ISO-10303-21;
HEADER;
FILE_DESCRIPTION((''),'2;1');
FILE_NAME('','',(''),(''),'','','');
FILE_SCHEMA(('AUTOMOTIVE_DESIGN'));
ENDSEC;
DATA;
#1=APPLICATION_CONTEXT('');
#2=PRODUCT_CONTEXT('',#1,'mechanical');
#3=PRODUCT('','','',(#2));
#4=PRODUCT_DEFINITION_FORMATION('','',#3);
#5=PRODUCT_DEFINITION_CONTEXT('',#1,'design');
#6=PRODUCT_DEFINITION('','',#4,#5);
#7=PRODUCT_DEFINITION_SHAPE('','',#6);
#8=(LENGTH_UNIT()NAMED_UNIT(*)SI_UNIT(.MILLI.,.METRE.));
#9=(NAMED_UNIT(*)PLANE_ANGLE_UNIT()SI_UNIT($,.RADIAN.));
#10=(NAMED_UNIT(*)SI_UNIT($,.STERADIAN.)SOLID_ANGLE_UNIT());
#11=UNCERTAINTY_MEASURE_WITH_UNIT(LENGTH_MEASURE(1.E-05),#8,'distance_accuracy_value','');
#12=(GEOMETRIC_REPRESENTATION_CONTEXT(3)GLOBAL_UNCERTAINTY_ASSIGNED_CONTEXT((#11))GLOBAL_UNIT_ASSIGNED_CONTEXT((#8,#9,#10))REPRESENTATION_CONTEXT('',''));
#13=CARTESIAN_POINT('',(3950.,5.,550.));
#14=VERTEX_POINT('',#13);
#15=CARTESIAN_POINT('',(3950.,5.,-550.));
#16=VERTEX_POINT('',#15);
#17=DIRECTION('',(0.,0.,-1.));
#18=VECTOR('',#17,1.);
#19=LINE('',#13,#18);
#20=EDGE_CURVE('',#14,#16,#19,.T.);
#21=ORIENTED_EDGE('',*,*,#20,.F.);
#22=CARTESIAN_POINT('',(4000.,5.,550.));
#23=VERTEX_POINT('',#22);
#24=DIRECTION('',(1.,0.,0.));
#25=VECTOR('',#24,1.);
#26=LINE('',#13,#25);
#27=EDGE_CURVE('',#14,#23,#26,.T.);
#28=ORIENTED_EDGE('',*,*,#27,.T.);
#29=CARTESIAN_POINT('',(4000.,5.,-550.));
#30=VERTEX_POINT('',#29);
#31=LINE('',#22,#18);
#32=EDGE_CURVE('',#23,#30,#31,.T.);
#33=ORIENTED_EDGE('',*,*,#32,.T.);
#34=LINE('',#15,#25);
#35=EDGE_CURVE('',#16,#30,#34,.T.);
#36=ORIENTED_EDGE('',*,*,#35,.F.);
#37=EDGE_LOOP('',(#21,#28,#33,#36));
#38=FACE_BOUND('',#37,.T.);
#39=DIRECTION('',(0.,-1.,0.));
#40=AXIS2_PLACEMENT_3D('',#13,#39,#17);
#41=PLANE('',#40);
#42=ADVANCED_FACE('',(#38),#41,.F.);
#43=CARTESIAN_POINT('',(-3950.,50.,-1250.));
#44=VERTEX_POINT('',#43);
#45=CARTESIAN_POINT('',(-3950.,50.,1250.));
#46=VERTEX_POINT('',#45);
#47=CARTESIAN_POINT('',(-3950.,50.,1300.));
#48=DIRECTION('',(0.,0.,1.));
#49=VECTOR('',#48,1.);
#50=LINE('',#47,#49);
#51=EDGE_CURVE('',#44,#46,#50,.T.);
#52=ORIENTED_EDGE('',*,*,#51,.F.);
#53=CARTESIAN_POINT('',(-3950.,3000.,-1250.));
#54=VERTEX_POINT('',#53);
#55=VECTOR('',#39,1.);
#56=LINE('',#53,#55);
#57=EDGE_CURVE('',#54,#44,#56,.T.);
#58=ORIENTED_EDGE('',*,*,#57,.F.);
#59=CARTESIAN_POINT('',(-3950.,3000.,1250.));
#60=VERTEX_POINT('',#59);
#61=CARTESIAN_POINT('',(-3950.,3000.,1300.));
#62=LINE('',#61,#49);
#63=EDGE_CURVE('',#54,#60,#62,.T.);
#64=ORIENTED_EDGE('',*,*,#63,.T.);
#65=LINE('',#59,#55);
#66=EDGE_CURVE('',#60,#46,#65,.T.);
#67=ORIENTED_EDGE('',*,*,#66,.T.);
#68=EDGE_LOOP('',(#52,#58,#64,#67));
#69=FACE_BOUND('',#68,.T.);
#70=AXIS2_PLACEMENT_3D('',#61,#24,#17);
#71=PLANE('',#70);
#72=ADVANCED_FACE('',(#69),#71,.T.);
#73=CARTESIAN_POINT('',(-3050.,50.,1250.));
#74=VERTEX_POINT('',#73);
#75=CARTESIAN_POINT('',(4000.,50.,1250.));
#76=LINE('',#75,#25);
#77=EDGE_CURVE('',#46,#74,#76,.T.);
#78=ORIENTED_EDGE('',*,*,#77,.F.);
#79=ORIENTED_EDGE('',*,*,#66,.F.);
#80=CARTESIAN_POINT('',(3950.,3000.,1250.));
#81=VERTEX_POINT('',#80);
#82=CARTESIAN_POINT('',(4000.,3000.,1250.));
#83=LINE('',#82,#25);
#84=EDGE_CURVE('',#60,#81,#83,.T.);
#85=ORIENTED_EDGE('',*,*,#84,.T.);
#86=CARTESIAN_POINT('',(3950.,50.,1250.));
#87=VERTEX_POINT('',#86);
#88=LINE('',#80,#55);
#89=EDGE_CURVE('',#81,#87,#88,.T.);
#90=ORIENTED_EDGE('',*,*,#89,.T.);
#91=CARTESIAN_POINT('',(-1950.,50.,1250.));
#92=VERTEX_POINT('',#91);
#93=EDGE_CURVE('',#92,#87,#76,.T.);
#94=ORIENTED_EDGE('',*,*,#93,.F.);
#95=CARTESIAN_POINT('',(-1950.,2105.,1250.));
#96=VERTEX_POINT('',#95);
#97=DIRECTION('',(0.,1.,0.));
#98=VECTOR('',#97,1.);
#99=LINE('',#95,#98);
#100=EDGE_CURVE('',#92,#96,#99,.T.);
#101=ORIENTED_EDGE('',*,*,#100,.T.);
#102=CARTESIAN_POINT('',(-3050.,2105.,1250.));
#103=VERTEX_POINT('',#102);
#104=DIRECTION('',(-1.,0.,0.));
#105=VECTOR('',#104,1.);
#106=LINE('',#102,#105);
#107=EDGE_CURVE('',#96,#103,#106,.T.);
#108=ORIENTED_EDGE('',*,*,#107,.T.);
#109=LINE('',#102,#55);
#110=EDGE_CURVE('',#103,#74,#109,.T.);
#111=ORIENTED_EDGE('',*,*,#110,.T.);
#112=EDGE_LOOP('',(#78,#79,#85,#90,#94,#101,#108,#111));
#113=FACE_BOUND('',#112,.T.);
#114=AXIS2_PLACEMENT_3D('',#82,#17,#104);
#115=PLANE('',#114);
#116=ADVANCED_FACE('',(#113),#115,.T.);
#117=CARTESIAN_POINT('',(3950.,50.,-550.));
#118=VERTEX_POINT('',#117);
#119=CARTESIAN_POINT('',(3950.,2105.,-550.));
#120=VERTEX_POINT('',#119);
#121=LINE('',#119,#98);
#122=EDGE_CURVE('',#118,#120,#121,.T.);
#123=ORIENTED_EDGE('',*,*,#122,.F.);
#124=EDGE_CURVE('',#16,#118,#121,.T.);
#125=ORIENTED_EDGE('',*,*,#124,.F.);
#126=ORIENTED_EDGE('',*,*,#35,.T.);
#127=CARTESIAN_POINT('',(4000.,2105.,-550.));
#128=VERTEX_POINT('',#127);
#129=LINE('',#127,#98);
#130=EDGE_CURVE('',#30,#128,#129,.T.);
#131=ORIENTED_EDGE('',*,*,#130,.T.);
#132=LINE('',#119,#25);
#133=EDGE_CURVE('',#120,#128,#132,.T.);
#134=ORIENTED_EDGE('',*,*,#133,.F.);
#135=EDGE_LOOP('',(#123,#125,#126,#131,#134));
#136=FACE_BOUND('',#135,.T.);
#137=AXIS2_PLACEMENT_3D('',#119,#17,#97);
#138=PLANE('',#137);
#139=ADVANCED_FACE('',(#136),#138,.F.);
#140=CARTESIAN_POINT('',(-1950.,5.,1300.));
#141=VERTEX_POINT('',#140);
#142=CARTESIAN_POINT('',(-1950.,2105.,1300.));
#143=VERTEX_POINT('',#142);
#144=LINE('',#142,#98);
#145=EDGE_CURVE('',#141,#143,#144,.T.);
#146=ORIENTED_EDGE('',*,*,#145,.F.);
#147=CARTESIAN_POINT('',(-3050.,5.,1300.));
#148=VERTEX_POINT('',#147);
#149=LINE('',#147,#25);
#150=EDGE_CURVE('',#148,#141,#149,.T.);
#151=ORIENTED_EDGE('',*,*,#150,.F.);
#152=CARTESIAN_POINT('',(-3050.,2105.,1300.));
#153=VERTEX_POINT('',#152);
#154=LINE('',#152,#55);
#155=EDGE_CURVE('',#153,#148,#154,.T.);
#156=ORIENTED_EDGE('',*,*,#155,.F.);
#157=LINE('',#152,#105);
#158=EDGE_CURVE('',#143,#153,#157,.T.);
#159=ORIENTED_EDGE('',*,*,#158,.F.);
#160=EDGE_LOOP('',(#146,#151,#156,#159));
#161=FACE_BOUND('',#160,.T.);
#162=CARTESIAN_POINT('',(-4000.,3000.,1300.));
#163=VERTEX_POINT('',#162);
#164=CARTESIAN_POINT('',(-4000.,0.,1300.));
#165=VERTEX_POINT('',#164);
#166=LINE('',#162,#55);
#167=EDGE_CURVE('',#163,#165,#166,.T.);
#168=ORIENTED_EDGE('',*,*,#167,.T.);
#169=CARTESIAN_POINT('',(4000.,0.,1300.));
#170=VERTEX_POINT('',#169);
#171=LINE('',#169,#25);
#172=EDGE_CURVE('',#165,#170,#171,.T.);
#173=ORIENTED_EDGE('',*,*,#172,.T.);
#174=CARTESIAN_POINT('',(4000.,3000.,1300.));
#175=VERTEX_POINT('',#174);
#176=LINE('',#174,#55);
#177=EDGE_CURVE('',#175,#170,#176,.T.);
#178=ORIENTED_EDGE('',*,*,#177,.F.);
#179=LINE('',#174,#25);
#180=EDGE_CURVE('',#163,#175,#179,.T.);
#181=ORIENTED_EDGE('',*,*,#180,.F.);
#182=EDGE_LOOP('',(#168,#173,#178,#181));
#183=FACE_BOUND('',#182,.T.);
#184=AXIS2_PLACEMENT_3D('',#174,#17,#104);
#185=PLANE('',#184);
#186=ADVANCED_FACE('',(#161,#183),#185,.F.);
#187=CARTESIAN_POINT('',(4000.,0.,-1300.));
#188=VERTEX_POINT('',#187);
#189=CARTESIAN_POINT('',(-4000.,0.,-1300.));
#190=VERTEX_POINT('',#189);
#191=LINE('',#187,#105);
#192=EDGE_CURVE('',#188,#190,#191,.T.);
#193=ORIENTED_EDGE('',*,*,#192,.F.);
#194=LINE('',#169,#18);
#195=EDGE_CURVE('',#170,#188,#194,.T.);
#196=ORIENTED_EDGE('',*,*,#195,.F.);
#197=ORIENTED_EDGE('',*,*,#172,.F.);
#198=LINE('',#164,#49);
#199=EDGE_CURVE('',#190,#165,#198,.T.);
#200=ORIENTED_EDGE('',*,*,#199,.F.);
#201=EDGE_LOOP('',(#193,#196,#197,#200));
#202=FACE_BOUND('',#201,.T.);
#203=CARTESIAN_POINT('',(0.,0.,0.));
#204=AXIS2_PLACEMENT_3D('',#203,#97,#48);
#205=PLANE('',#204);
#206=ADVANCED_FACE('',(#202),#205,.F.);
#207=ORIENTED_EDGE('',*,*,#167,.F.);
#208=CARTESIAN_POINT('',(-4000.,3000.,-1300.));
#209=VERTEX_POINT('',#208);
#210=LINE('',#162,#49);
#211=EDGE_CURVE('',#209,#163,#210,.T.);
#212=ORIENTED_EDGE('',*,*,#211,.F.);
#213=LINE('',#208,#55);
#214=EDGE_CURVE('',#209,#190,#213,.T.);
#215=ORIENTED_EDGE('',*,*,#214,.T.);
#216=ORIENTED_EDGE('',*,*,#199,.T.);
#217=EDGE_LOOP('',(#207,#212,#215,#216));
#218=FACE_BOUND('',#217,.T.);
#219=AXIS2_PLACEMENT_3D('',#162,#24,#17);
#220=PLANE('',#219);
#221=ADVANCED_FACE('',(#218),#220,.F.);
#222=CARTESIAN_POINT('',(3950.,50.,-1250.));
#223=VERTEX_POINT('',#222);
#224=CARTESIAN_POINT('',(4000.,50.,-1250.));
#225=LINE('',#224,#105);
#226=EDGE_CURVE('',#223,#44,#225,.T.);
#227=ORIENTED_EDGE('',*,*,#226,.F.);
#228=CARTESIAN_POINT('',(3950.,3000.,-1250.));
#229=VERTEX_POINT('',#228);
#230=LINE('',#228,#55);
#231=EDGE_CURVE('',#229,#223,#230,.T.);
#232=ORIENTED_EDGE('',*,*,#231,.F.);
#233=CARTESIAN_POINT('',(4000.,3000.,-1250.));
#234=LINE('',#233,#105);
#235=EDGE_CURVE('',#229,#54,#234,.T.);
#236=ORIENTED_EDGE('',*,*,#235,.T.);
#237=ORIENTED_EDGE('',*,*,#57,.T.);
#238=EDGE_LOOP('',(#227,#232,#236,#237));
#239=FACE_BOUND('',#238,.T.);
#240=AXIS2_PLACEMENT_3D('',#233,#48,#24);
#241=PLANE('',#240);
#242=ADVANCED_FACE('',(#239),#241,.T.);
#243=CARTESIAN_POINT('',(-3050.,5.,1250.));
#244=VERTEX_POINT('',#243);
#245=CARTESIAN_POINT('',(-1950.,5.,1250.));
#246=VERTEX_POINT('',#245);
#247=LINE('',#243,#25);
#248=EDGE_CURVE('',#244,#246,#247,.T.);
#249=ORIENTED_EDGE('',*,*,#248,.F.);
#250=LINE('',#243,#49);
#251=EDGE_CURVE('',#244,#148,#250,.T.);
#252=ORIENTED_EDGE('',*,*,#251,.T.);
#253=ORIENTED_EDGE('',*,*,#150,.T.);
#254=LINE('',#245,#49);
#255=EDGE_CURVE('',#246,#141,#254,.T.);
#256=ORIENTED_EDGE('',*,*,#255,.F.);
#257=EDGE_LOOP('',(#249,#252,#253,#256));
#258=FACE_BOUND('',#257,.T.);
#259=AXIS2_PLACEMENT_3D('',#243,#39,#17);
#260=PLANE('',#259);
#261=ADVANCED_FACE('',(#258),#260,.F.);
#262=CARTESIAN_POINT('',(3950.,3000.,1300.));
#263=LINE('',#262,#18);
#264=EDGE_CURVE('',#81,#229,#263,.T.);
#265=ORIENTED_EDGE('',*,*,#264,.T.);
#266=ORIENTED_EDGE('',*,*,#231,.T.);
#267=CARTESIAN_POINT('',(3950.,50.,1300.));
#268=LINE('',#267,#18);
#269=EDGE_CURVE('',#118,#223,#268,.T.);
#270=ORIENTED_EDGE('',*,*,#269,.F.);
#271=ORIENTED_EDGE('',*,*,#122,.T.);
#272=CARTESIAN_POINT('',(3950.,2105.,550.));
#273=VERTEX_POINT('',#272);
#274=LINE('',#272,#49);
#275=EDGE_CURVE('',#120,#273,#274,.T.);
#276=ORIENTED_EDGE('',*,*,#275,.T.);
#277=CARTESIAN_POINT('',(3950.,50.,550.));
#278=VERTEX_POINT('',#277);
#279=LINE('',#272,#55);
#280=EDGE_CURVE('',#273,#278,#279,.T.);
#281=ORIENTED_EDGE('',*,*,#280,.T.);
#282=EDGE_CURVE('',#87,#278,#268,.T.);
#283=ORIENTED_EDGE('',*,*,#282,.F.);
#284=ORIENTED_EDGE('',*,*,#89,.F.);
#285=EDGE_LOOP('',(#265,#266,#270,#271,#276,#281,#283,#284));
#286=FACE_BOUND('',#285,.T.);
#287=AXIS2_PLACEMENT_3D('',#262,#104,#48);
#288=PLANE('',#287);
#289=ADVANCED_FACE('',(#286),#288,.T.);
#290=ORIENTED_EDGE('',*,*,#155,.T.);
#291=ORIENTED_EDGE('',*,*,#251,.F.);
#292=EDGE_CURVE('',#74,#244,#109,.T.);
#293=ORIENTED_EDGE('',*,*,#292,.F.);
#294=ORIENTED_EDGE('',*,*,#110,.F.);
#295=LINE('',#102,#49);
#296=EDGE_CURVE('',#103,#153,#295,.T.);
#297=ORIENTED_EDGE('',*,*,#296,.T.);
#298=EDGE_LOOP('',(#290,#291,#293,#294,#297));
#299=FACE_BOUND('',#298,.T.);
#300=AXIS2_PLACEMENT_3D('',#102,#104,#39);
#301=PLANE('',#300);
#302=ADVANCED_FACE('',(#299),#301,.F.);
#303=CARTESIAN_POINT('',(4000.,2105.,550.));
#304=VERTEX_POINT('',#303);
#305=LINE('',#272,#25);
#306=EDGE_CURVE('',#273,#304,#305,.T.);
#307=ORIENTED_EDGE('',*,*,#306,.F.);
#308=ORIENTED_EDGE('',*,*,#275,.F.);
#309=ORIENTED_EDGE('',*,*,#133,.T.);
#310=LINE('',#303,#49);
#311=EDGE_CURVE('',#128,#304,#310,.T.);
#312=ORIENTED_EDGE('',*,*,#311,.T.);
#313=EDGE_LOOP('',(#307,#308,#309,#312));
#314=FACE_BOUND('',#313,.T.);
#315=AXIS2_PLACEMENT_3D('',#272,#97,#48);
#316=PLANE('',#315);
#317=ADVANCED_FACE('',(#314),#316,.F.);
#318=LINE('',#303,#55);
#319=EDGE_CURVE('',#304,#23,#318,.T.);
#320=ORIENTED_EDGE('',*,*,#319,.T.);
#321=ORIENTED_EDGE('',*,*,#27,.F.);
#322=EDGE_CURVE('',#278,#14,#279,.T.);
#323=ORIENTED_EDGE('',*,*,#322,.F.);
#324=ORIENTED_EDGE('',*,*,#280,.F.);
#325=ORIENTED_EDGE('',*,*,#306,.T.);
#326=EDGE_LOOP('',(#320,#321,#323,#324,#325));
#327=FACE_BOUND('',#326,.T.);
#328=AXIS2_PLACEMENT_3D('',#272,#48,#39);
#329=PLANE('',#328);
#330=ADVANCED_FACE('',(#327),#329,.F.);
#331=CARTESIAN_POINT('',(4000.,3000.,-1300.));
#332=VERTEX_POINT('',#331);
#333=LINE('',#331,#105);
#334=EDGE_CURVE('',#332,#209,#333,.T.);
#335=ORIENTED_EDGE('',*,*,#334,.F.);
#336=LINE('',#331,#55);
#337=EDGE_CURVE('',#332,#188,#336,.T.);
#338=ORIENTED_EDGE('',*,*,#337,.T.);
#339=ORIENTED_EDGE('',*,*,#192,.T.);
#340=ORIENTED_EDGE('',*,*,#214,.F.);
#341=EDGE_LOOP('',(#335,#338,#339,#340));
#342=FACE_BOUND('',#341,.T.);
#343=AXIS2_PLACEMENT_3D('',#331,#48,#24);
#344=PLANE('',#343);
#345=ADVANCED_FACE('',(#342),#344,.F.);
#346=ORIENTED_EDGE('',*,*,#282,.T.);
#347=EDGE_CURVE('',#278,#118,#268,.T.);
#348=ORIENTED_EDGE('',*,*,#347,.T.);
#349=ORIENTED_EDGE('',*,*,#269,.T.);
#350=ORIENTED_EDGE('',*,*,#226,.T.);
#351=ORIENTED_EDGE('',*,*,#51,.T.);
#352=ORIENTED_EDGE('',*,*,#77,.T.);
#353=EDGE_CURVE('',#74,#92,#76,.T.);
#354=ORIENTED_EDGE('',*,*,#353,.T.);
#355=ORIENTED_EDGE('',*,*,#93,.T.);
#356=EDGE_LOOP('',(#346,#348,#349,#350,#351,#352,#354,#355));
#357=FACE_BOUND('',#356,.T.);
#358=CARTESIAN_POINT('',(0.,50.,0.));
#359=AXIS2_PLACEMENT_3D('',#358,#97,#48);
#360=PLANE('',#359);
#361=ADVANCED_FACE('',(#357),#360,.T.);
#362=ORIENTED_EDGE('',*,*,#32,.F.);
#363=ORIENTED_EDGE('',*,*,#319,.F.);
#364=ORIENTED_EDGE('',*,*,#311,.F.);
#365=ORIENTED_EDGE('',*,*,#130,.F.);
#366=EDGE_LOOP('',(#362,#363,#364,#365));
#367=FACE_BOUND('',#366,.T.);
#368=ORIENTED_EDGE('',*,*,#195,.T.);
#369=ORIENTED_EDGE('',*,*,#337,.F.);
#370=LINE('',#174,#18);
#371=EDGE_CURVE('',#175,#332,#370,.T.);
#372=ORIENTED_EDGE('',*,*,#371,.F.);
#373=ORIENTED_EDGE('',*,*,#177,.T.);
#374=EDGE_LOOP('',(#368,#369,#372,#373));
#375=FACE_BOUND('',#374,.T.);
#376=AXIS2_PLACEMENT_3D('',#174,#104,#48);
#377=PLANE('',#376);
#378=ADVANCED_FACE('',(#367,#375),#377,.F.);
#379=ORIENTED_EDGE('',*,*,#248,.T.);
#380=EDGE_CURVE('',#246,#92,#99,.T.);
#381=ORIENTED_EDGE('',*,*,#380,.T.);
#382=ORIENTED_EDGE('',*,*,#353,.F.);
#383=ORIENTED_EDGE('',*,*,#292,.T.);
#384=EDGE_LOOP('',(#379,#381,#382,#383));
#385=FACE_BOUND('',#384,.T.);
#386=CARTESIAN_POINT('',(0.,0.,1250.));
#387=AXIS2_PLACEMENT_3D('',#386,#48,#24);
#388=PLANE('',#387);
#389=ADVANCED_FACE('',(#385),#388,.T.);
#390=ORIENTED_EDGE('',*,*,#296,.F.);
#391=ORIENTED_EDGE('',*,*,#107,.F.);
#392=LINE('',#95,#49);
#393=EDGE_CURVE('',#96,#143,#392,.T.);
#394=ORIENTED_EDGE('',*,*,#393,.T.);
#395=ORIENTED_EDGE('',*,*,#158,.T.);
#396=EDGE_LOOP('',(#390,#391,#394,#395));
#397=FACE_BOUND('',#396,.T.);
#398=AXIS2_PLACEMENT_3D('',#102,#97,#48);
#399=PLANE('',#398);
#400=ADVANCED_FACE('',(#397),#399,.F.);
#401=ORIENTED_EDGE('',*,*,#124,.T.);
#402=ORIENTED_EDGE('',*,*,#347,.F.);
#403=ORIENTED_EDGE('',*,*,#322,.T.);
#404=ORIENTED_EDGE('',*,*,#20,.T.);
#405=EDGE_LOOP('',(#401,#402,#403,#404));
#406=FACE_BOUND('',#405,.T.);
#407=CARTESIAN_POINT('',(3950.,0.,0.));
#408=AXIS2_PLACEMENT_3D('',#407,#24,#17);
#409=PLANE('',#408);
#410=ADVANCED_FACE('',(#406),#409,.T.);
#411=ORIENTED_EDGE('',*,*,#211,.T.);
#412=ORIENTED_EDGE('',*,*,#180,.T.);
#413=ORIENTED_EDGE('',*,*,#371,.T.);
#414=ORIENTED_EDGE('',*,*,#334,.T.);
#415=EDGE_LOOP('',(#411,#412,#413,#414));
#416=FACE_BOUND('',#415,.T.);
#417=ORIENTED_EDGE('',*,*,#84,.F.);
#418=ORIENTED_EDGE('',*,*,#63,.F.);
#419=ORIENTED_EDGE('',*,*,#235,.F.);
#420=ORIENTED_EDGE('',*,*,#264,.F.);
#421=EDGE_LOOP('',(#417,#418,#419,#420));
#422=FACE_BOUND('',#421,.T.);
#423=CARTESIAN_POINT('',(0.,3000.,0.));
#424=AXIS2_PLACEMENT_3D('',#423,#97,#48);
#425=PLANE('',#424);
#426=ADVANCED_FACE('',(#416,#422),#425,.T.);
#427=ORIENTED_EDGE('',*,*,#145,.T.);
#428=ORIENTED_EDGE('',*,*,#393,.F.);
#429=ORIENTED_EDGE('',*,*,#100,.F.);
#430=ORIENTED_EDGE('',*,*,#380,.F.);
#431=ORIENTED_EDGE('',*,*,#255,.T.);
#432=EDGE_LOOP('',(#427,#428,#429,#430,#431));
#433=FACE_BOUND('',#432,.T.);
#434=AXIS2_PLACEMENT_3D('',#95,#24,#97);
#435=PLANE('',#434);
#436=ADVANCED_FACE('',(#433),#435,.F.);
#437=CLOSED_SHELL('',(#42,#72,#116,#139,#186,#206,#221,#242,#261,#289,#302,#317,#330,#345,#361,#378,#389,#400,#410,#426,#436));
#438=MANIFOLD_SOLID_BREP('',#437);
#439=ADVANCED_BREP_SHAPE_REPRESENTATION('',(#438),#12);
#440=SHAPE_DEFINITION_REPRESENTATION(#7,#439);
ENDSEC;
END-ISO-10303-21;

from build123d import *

# Parameters (mm, degrees)
SKETCH2_W           = 8000
SKETCH2_H           = 2600
BOSS_EXTRUDE1_DEPTH = 3000
SHELL1_T            = -50
SKETCH3_W           = 1100
SKETCH3_H           = 2100
CUT_EXTRUDE1_DEPTH  = 50
SKETCH4_W           = 1100
SKETCH4_H           = 2100
CUT_EXTRUDE2_DEPTH  = 50


with BuildPart() as part:
    # Sketch2 → Boss-Extrude1 (new body)
    with BuildSketch(Plane(origin=(0, 0, 0), x_dir=(1, 0, 0), z_dir=(0, 1, 0))):
        Rectangle(SKETCH2_W, SKETCH2_H)
    extrude(amount=BOSS_EXTRUDE1_DEPTH)

    # Shell1
    shell1_openings = [part.faces().sort_by_distance(p)[0] for p in [
        (0, 3000, 0),
    ]]
    offset(amount=SHELL1_T, openings=shell1_openings, kind=Kind.INTERSECTION)

    # Sketch3 → Cut-Extrude1 (cut)
    with BuildSketch(Plane.XY.offset(1300)):
        with Locations((-2500, 1055)):
            Rectangle(SKETCH3_W, SKETCH3_H)
    extrude(amount=-CUT_EXTRUDE1_DEPTH, mode=Mode.SUBTRACT)

    # Sketch4 → Cut-Extrude2 (cut)
    with BuildSketch(Plane(origin=(4000, 0, 0), x_dir=(0, 0, -1), z_dir=(1, 0, 0))):
        with Locations((0, 1055)):
            Rectangle(SKETCH4_W, SKETCH4_H)
    extrude(amount=-CUT_EXTRUDE2_DEPTH, mode=Mode.SUBTRACT)


solid = part.part
